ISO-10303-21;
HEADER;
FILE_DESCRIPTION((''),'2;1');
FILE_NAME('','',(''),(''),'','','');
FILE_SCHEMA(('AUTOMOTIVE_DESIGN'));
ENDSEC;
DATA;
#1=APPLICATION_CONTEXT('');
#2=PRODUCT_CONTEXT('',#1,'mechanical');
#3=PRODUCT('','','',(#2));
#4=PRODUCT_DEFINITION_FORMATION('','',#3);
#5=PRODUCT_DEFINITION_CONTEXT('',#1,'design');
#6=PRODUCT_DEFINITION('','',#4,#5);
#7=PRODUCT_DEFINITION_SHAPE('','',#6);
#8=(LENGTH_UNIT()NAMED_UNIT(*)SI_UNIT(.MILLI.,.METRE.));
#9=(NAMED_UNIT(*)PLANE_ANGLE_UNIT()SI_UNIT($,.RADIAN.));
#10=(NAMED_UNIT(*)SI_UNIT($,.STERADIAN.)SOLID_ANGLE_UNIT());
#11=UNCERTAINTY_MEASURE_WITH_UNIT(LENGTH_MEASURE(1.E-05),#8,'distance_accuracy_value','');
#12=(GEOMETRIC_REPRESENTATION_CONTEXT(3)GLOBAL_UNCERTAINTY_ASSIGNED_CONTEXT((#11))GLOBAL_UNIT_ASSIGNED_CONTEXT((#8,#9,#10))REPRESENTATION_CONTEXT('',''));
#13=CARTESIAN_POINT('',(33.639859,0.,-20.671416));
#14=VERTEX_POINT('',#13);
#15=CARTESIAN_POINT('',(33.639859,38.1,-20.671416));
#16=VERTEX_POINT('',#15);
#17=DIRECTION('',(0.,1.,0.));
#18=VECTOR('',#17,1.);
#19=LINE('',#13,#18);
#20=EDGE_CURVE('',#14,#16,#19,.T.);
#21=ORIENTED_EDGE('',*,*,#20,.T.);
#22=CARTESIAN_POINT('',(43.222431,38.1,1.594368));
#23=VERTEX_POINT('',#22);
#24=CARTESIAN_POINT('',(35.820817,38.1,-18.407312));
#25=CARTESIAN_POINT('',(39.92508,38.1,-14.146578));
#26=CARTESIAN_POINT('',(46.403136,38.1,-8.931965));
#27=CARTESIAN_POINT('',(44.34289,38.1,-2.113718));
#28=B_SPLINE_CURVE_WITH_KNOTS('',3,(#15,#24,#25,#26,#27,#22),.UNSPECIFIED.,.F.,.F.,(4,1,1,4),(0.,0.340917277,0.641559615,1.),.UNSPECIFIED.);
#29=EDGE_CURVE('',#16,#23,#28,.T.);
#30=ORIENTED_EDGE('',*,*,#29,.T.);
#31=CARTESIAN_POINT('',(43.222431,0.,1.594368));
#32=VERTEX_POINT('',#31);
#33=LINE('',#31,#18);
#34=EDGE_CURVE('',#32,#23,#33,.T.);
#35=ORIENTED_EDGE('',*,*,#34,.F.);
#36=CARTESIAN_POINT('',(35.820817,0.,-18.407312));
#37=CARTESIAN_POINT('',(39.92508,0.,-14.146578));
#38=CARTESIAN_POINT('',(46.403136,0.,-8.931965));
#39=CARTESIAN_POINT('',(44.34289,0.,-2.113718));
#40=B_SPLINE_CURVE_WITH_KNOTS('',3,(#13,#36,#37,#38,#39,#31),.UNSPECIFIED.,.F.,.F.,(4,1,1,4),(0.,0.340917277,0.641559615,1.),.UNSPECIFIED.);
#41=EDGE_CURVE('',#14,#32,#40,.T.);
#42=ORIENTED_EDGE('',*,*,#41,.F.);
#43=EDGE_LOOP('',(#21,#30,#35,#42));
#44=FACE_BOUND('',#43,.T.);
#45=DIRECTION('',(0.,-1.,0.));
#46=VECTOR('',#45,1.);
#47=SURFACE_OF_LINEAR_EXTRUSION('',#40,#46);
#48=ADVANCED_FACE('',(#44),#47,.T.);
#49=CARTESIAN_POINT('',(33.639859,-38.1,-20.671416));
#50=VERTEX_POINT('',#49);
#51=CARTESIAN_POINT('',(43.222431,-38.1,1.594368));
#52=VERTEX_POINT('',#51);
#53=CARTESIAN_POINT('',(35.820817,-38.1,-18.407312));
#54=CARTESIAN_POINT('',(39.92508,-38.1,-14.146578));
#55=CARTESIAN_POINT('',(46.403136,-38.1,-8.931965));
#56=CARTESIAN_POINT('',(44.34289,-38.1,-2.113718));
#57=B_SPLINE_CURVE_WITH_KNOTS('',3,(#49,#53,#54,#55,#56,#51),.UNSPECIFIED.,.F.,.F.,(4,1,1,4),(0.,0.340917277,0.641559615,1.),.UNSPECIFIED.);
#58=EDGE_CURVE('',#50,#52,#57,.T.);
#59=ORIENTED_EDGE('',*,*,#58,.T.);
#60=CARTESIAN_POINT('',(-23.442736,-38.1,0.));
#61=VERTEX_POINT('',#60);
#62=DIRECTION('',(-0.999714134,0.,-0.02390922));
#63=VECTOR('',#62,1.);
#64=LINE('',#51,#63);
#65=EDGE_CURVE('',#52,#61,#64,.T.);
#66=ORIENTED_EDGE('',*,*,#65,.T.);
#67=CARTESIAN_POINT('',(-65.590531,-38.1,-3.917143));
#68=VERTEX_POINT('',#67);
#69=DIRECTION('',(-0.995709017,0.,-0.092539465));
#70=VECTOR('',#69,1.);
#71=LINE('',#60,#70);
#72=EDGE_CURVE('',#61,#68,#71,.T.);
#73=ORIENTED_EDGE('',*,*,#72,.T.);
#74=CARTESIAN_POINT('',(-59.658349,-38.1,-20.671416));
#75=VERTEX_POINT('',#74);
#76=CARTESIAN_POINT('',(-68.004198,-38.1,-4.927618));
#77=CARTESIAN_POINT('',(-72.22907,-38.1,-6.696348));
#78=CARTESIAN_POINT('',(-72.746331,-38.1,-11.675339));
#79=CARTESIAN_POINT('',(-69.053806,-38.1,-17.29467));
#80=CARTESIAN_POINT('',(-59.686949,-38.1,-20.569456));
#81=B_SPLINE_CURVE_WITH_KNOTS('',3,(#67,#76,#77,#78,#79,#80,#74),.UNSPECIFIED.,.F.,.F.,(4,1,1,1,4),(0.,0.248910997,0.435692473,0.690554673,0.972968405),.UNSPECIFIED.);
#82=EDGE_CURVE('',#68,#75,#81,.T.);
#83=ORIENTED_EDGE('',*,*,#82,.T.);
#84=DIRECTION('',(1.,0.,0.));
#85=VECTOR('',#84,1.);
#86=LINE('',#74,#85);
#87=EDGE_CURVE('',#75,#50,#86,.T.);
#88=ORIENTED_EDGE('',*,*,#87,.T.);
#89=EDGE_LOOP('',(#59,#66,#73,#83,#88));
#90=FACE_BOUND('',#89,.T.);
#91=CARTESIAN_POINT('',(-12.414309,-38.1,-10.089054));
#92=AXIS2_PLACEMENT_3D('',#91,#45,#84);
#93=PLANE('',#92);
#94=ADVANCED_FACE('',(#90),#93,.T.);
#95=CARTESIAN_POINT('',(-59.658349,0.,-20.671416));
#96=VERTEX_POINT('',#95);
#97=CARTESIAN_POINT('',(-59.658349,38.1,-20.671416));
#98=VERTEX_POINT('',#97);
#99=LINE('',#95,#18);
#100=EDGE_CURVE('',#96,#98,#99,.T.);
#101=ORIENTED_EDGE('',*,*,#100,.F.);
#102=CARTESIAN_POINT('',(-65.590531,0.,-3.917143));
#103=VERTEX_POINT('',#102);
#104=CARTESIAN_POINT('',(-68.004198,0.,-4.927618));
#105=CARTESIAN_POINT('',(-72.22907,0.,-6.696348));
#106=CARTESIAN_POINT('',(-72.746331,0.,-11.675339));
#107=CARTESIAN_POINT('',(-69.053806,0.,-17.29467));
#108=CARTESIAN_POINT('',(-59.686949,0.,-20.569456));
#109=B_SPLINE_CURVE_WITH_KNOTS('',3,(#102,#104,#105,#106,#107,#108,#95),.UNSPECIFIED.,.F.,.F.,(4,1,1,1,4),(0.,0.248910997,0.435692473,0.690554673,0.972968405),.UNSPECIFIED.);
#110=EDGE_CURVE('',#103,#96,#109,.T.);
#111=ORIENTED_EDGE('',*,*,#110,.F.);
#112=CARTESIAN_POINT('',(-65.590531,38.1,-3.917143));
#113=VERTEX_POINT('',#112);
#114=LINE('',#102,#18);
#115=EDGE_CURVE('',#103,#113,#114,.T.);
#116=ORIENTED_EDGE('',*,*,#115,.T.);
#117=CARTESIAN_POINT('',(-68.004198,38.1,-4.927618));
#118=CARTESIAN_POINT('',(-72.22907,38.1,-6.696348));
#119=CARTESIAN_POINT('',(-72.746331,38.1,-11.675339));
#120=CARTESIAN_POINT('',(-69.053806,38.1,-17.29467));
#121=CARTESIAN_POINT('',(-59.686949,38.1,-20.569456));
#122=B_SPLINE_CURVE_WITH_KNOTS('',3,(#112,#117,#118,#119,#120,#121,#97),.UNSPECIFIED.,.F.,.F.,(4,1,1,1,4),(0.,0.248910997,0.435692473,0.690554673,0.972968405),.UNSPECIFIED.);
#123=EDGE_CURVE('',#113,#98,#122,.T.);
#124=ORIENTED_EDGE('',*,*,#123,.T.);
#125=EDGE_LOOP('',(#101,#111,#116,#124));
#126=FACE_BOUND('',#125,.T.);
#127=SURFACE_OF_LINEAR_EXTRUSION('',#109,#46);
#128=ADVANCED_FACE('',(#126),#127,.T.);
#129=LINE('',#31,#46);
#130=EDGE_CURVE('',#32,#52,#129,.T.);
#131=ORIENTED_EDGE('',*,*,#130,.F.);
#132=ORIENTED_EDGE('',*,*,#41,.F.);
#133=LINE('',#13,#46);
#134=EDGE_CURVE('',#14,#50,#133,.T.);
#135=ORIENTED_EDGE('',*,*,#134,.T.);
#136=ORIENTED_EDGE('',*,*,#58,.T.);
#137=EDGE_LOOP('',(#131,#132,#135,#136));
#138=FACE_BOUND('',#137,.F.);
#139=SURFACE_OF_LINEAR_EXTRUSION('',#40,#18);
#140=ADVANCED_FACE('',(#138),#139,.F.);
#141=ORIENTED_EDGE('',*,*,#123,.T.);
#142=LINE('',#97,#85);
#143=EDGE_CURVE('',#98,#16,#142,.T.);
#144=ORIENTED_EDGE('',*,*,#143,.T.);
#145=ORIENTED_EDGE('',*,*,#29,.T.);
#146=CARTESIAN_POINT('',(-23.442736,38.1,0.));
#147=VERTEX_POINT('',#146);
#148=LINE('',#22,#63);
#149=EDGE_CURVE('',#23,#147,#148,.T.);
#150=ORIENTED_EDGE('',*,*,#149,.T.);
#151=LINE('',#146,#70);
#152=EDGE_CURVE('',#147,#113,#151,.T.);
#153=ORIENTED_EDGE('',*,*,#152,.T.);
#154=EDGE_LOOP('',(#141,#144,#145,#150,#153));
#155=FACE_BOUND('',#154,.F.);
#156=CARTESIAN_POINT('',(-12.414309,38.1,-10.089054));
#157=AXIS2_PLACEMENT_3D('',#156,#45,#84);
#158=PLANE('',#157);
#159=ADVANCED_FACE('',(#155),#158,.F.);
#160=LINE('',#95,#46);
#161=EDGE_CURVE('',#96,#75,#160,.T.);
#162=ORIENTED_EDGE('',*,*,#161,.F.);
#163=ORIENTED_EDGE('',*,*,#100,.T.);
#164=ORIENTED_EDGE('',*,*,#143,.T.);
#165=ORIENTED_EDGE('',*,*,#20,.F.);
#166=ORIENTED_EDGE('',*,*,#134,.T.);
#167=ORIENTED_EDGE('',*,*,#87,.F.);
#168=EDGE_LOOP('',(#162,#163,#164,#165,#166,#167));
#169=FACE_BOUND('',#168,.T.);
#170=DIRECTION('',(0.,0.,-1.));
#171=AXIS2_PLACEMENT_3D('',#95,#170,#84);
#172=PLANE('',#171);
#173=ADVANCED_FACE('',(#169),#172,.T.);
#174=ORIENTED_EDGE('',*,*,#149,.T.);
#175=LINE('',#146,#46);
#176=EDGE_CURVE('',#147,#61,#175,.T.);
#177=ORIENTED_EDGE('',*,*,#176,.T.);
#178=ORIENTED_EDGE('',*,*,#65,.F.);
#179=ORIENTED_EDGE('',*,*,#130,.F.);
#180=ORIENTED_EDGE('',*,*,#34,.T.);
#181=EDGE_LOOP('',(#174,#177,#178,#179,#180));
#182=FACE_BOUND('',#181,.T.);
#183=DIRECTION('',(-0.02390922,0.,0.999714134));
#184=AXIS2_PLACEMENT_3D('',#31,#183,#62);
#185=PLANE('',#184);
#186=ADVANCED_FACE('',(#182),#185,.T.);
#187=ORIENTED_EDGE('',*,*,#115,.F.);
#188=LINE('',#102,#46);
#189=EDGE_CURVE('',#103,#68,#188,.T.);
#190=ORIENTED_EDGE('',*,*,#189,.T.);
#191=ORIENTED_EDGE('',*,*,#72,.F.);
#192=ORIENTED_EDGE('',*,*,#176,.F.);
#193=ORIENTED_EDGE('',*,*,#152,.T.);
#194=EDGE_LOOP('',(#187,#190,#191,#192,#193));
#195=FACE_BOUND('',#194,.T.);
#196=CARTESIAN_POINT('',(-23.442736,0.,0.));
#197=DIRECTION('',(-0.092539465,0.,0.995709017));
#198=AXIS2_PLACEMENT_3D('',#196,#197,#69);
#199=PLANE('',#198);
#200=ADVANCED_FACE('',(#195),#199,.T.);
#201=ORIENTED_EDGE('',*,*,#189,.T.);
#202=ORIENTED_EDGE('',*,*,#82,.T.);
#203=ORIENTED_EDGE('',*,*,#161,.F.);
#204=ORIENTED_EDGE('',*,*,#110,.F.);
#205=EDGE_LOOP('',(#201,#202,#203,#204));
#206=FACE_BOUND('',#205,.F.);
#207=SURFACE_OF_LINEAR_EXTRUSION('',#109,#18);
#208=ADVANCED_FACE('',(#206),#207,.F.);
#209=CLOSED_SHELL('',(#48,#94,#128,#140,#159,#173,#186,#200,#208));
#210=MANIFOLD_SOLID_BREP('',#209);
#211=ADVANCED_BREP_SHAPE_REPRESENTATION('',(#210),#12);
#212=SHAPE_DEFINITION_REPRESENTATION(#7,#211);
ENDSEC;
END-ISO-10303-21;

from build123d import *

# Parameters (mm, degrees)
F1_DEPTH = 38.1


with BuildPart() as f1:
    # F0 (on Front) → F1 (new body, symmetric)
    with BuildSketch(Plane.XZ):
        with BuildLine():
            Line((43.2224310935, 1.5943679027), (-23.4427358955, 0))
            Line((-23.4427358955, 0), (-65.5905306339, -3.9171427488))
            add(Edge.make_bspline(
                [(-65.5905306339, -3.9171427488), (-68.0041984956, -4.9276178366), (-72.229069768, -6.6963480077), (-72.7463312071, -11.6753389144), (-69.0538055852, -17.2946702596), (-59.6869487074, -20.5694560435), (-59.6583485603, -20.671416074)],
                knots=[0, 0, 0, 0, 0.2489109965, 0.4356924726, 0.6905546732, 0.9729684049, 0.9729684049, 0.9729684049, 0.9729684049], degree=3))
            Line((-59.6583485603, -20.671416074), (33.6398594081, -20.671416074))
            add(Edge.make_bspline(
                [(33.6398594081, -20.671416074), (35.8208168114, -18.40731191), (39.9250798829, -14.1465780249), (46.4031363616, -8.9319649582), (44.3428903861, -2.113717719), (43.2224310935, 1.5943679027)],
                knots=[0, 0, 0, 0, 0.3409172772, 0.6415596146, 1, 1, 1, 1], degree=3))
        make_face()
    extrude(amount=F1_DEPTH, both=True)


solid = f1.part
